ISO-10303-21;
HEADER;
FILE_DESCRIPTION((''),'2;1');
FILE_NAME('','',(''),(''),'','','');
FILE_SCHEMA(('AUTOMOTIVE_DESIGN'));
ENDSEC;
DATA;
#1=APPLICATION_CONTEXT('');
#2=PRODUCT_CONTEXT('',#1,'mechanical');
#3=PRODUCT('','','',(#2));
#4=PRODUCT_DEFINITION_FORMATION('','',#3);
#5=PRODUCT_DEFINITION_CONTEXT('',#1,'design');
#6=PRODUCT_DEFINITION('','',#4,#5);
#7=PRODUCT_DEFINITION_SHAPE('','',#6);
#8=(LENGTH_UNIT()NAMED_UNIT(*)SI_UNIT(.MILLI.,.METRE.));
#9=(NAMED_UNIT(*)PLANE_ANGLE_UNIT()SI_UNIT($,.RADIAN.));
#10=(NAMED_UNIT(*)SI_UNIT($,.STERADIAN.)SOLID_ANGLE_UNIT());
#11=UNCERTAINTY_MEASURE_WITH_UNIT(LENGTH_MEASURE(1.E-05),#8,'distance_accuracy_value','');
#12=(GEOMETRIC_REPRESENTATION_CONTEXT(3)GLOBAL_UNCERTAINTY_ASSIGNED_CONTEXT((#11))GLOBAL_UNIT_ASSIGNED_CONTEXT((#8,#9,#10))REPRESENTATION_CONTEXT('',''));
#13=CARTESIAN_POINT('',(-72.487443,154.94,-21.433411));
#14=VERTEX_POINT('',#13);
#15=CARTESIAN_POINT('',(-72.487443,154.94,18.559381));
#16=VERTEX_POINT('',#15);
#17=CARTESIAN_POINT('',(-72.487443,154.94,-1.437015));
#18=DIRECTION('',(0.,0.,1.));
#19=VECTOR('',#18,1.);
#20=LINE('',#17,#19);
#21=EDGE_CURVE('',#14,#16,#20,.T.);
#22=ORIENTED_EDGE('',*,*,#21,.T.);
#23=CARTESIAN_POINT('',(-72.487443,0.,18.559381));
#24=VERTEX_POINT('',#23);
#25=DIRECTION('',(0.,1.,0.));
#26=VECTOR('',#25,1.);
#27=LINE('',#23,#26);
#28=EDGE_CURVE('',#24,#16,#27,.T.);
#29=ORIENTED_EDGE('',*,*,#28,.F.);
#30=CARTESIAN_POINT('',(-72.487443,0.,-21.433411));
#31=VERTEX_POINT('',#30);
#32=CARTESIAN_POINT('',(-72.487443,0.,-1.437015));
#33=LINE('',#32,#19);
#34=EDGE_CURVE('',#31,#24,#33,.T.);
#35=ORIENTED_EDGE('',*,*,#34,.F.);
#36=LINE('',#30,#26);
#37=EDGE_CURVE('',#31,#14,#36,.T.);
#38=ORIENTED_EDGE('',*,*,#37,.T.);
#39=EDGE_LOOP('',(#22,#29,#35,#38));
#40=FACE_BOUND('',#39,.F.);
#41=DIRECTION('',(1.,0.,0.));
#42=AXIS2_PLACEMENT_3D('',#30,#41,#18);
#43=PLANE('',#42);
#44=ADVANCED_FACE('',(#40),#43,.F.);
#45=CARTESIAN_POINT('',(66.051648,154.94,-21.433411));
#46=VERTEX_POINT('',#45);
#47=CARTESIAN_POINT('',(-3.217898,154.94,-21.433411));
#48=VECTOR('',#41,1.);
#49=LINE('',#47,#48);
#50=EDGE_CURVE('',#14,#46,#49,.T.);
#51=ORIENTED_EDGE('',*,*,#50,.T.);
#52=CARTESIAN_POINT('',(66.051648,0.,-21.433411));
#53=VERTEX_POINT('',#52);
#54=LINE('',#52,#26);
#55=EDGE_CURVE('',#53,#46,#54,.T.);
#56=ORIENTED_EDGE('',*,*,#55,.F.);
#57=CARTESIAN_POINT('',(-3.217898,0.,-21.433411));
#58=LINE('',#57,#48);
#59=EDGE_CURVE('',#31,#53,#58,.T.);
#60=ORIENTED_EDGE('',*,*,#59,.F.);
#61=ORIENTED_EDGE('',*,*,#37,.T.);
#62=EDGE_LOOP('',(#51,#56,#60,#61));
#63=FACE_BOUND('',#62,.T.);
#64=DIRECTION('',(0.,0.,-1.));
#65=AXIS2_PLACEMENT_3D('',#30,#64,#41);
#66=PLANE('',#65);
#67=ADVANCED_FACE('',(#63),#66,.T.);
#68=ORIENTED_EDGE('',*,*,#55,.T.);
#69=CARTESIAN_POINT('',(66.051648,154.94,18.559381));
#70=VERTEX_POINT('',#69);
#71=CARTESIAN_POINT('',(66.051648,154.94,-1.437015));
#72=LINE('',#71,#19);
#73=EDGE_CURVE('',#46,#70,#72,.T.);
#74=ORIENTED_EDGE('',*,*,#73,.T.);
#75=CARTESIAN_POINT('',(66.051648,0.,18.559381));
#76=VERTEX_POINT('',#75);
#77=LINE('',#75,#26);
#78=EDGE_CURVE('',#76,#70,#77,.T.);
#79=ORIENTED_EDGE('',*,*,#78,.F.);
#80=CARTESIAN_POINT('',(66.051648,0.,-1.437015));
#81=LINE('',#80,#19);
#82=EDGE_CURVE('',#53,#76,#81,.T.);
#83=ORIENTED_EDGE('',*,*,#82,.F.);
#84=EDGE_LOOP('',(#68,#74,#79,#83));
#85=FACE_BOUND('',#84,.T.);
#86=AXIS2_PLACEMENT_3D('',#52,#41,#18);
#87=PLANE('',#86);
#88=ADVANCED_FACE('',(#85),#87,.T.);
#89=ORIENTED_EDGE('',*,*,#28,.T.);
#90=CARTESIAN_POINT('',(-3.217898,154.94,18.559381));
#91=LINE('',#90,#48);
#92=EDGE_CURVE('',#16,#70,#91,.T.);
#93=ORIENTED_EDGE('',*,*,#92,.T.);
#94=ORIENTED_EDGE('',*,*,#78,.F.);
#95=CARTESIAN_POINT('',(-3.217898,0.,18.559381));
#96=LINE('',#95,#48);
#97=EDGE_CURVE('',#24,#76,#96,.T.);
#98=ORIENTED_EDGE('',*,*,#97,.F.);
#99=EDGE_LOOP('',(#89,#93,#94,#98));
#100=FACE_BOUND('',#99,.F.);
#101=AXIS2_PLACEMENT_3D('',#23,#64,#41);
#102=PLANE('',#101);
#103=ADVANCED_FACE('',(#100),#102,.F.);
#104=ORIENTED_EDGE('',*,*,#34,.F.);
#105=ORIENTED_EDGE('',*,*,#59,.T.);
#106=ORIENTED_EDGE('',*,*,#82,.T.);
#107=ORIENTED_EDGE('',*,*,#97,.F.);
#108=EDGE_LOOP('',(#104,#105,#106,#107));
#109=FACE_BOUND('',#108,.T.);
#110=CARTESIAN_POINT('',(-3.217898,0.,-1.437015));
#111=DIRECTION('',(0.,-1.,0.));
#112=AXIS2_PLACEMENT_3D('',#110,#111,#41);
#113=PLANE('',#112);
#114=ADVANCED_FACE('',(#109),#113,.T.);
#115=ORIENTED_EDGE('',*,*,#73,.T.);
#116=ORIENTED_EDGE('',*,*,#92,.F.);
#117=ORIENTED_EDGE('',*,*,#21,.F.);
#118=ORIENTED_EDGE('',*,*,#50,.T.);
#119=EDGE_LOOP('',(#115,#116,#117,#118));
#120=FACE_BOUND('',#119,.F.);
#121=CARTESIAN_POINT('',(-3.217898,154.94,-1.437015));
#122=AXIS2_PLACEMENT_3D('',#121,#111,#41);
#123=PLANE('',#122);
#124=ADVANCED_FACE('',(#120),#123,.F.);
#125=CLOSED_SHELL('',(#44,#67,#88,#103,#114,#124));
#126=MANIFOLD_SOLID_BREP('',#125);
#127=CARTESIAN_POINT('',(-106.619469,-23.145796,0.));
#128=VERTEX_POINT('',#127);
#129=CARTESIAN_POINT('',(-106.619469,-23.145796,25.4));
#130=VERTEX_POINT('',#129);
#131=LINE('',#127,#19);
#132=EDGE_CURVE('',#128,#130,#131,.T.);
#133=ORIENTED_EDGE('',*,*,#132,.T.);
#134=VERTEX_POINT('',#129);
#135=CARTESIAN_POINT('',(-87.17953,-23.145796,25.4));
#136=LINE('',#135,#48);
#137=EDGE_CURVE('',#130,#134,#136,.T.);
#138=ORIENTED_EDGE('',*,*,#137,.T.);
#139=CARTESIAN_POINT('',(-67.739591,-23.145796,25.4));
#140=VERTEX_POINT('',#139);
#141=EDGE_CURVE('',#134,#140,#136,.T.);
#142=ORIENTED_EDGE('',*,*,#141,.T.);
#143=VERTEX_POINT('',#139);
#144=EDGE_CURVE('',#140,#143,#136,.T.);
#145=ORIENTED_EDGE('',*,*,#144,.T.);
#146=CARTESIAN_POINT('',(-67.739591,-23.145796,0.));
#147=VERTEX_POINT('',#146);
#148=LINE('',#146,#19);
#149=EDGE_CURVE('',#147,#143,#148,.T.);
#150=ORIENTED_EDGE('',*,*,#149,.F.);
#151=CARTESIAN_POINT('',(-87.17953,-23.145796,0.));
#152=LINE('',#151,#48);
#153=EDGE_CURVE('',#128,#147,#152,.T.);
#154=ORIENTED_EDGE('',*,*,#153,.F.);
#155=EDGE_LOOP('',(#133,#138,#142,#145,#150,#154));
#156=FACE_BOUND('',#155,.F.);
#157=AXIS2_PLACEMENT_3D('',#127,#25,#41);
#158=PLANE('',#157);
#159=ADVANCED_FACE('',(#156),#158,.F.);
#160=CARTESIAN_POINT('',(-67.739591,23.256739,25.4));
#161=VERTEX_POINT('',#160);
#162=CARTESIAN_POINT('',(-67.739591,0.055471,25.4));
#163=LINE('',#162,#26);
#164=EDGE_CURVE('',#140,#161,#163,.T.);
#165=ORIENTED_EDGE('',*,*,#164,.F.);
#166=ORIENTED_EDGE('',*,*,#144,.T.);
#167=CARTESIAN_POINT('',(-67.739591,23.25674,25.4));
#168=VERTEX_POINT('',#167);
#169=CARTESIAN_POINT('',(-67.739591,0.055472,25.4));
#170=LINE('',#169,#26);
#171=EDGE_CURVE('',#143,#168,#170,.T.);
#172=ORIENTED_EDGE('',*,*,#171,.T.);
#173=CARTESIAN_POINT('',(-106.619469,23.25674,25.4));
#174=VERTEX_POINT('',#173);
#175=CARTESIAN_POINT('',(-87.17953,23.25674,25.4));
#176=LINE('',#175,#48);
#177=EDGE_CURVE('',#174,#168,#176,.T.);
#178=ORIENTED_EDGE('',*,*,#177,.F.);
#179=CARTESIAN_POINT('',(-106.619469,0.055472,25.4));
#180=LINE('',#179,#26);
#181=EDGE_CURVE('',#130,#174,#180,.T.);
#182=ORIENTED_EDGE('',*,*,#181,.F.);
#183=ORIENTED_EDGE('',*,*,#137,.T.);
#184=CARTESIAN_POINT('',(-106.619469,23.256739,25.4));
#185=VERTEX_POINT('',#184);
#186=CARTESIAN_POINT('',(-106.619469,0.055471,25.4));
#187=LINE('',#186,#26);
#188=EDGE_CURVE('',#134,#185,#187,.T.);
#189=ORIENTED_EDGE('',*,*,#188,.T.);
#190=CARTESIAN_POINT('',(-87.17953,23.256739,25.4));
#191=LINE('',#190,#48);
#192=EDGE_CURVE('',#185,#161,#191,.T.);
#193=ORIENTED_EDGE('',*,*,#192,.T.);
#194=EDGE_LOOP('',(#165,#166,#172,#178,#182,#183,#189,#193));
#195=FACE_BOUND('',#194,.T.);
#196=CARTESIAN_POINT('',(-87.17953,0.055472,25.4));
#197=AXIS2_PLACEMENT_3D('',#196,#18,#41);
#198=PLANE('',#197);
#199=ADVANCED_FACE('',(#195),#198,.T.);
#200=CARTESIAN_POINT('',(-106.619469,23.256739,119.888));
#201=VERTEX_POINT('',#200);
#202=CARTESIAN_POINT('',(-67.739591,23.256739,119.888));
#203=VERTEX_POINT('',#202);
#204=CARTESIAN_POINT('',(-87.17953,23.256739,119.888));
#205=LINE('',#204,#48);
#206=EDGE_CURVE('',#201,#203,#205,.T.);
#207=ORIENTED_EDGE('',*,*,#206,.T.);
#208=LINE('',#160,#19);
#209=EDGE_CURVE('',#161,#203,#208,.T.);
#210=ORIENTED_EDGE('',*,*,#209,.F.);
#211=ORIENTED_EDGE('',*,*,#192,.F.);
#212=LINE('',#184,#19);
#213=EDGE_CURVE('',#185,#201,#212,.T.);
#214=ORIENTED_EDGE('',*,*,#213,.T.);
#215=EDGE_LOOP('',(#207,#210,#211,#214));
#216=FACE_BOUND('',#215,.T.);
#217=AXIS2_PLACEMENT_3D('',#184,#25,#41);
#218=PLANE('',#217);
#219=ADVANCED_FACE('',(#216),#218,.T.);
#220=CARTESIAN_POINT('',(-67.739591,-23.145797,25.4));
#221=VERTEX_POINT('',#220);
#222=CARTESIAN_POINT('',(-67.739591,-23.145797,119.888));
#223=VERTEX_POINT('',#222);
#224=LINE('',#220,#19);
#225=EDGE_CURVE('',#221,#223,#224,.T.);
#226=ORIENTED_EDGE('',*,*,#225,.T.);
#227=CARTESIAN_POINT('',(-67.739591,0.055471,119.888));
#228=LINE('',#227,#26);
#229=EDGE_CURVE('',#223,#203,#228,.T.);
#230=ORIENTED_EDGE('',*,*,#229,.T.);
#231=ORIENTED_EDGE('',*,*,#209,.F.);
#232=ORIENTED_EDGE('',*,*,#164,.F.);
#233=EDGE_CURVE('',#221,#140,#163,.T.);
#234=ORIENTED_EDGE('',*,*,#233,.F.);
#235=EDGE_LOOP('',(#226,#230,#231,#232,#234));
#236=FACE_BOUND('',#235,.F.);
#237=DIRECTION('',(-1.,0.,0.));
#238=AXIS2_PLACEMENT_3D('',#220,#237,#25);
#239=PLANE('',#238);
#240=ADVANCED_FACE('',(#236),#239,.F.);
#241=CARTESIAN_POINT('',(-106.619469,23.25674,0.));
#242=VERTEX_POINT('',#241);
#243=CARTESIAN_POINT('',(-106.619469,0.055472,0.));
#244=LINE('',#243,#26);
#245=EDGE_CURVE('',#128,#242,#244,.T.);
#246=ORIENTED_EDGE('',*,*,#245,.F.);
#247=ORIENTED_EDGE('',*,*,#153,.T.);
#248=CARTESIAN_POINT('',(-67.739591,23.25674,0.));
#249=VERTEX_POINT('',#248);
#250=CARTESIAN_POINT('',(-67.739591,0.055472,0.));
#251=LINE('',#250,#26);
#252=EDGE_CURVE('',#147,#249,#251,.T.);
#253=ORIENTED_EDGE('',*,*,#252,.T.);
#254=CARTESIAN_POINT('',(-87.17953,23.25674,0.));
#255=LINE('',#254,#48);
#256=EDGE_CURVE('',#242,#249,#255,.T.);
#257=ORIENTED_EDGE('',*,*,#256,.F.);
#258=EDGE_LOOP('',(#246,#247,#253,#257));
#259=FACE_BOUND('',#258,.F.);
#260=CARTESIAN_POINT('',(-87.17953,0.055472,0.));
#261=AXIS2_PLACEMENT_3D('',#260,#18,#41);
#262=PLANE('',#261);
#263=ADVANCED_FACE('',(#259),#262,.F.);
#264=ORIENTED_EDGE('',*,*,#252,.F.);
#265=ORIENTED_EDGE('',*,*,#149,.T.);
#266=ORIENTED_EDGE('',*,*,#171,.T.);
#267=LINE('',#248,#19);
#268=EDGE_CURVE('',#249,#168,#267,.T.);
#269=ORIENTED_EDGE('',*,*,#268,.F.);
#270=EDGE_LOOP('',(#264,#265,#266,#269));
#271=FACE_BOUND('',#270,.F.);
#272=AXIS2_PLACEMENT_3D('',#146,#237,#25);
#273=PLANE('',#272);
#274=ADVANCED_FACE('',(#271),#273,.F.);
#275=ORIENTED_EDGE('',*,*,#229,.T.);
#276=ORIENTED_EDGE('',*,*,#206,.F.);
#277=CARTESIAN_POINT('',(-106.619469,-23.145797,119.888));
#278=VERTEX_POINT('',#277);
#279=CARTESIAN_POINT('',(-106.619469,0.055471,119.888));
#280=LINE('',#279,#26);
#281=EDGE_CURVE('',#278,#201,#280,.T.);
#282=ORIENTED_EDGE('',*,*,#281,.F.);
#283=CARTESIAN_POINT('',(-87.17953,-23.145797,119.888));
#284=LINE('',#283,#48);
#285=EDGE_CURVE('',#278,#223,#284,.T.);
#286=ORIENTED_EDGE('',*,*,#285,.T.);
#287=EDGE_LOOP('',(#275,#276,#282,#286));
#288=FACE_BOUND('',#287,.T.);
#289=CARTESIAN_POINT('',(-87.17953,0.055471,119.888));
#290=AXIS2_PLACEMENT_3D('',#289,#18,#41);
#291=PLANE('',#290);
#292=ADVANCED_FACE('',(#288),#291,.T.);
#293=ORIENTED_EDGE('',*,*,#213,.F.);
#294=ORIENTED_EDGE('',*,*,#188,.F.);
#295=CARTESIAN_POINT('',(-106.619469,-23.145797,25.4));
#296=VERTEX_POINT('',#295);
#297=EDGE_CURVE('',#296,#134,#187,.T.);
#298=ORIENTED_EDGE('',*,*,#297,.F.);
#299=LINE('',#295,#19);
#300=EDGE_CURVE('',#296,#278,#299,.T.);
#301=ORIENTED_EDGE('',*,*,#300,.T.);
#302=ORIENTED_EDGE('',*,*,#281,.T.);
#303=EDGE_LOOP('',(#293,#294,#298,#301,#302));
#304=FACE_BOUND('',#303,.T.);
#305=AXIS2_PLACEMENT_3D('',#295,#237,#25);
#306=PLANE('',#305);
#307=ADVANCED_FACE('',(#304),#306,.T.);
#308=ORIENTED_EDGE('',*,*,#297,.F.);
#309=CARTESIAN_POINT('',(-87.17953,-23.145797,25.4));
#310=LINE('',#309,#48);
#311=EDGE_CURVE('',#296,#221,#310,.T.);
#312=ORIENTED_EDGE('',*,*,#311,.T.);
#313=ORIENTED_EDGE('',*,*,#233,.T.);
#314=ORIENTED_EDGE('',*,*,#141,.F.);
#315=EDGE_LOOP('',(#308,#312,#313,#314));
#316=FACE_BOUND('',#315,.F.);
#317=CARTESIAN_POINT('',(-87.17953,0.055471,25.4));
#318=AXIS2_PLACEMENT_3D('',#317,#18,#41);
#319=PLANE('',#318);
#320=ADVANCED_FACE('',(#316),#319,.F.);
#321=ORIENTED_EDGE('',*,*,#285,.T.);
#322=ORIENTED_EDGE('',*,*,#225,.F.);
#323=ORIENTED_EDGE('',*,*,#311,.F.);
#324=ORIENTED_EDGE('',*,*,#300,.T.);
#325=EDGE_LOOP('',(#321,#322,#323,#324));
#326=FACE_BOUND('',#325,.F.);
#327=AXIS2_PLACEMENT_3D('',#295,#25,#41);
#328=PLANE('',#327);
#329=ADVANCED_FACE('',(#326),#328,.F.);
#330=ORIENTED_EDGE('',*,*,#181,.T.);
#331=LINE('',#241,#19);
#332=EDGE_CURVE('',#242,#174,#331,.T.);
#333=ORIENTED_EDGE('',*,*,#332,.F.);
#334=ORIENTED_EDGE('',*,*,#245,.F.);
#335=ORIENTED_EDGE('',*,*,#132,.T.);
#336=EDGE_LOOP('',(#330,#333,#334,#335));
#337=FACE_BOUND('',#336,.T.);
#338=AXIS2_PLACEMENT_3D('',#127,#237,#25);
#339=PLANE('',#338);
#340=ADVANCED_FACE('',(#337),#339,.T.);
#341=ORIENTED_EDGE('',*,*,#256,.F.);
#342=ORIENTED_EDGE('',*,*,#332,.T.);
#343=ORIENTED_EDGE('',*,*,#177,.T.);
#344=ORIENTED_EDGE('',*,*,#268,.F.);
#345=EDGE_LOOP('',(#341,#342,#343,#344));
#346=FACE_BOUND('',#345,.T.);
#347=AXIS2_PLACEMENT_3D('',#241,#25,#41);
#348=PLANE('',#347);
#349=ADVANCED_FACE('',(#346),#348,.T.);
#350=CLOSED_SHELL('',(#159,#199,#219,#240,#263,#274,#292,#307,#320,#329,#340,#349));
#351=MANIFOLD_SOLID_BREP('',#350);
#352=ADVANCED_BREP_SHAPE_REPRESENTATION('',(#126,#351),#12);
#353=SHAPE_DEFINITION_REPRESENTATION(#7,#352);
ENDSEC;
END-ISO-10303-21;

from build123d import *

# Parameters (mm, degrees)
F0_W      = 38.879879
F0_H      = 46.402537
F1_DEPTH  = 25.4
F1_FACE_W = 38.879878
F1_FACE_H = 46.402536
F2_DEPTH  = 94.488
F3_W      = 138.539091
F3_H      = 39.992792
F4_DEPTH  = 154.94


with BuildPart() as f1:
    # F0 (on Top) → F1 (new body)
    with BuildSketch(Plane.XY):
        with Locations((-87.17953, 0.055472)):
            Rectangle(F0_W, F0_H)
    extrude(amount=F1_DEPTH)

    # F1_face (on face) → F2 (join)
    with BuildSketch(Plane(origin=(-87.17953, 0.055471, 25.4), x_dir=(1, 0, 0), z_dir=(0, 0, 1))):
        Rectangle(F1_FACE_W, F1_FACE_H)
    extrude(amount=F2_DEPTH)


with BuildPart() as f4:
    # F3 (on Front) → F4 (new body)
    with BuildSketch(Plane.XZ):
        with Locations((-3.217898, -1.437015)):
            Rectangle(F3_W, F3_H)
    extrude(amount=-F4_DEPTH)


solid = Compound([f1.part, f4.part])
